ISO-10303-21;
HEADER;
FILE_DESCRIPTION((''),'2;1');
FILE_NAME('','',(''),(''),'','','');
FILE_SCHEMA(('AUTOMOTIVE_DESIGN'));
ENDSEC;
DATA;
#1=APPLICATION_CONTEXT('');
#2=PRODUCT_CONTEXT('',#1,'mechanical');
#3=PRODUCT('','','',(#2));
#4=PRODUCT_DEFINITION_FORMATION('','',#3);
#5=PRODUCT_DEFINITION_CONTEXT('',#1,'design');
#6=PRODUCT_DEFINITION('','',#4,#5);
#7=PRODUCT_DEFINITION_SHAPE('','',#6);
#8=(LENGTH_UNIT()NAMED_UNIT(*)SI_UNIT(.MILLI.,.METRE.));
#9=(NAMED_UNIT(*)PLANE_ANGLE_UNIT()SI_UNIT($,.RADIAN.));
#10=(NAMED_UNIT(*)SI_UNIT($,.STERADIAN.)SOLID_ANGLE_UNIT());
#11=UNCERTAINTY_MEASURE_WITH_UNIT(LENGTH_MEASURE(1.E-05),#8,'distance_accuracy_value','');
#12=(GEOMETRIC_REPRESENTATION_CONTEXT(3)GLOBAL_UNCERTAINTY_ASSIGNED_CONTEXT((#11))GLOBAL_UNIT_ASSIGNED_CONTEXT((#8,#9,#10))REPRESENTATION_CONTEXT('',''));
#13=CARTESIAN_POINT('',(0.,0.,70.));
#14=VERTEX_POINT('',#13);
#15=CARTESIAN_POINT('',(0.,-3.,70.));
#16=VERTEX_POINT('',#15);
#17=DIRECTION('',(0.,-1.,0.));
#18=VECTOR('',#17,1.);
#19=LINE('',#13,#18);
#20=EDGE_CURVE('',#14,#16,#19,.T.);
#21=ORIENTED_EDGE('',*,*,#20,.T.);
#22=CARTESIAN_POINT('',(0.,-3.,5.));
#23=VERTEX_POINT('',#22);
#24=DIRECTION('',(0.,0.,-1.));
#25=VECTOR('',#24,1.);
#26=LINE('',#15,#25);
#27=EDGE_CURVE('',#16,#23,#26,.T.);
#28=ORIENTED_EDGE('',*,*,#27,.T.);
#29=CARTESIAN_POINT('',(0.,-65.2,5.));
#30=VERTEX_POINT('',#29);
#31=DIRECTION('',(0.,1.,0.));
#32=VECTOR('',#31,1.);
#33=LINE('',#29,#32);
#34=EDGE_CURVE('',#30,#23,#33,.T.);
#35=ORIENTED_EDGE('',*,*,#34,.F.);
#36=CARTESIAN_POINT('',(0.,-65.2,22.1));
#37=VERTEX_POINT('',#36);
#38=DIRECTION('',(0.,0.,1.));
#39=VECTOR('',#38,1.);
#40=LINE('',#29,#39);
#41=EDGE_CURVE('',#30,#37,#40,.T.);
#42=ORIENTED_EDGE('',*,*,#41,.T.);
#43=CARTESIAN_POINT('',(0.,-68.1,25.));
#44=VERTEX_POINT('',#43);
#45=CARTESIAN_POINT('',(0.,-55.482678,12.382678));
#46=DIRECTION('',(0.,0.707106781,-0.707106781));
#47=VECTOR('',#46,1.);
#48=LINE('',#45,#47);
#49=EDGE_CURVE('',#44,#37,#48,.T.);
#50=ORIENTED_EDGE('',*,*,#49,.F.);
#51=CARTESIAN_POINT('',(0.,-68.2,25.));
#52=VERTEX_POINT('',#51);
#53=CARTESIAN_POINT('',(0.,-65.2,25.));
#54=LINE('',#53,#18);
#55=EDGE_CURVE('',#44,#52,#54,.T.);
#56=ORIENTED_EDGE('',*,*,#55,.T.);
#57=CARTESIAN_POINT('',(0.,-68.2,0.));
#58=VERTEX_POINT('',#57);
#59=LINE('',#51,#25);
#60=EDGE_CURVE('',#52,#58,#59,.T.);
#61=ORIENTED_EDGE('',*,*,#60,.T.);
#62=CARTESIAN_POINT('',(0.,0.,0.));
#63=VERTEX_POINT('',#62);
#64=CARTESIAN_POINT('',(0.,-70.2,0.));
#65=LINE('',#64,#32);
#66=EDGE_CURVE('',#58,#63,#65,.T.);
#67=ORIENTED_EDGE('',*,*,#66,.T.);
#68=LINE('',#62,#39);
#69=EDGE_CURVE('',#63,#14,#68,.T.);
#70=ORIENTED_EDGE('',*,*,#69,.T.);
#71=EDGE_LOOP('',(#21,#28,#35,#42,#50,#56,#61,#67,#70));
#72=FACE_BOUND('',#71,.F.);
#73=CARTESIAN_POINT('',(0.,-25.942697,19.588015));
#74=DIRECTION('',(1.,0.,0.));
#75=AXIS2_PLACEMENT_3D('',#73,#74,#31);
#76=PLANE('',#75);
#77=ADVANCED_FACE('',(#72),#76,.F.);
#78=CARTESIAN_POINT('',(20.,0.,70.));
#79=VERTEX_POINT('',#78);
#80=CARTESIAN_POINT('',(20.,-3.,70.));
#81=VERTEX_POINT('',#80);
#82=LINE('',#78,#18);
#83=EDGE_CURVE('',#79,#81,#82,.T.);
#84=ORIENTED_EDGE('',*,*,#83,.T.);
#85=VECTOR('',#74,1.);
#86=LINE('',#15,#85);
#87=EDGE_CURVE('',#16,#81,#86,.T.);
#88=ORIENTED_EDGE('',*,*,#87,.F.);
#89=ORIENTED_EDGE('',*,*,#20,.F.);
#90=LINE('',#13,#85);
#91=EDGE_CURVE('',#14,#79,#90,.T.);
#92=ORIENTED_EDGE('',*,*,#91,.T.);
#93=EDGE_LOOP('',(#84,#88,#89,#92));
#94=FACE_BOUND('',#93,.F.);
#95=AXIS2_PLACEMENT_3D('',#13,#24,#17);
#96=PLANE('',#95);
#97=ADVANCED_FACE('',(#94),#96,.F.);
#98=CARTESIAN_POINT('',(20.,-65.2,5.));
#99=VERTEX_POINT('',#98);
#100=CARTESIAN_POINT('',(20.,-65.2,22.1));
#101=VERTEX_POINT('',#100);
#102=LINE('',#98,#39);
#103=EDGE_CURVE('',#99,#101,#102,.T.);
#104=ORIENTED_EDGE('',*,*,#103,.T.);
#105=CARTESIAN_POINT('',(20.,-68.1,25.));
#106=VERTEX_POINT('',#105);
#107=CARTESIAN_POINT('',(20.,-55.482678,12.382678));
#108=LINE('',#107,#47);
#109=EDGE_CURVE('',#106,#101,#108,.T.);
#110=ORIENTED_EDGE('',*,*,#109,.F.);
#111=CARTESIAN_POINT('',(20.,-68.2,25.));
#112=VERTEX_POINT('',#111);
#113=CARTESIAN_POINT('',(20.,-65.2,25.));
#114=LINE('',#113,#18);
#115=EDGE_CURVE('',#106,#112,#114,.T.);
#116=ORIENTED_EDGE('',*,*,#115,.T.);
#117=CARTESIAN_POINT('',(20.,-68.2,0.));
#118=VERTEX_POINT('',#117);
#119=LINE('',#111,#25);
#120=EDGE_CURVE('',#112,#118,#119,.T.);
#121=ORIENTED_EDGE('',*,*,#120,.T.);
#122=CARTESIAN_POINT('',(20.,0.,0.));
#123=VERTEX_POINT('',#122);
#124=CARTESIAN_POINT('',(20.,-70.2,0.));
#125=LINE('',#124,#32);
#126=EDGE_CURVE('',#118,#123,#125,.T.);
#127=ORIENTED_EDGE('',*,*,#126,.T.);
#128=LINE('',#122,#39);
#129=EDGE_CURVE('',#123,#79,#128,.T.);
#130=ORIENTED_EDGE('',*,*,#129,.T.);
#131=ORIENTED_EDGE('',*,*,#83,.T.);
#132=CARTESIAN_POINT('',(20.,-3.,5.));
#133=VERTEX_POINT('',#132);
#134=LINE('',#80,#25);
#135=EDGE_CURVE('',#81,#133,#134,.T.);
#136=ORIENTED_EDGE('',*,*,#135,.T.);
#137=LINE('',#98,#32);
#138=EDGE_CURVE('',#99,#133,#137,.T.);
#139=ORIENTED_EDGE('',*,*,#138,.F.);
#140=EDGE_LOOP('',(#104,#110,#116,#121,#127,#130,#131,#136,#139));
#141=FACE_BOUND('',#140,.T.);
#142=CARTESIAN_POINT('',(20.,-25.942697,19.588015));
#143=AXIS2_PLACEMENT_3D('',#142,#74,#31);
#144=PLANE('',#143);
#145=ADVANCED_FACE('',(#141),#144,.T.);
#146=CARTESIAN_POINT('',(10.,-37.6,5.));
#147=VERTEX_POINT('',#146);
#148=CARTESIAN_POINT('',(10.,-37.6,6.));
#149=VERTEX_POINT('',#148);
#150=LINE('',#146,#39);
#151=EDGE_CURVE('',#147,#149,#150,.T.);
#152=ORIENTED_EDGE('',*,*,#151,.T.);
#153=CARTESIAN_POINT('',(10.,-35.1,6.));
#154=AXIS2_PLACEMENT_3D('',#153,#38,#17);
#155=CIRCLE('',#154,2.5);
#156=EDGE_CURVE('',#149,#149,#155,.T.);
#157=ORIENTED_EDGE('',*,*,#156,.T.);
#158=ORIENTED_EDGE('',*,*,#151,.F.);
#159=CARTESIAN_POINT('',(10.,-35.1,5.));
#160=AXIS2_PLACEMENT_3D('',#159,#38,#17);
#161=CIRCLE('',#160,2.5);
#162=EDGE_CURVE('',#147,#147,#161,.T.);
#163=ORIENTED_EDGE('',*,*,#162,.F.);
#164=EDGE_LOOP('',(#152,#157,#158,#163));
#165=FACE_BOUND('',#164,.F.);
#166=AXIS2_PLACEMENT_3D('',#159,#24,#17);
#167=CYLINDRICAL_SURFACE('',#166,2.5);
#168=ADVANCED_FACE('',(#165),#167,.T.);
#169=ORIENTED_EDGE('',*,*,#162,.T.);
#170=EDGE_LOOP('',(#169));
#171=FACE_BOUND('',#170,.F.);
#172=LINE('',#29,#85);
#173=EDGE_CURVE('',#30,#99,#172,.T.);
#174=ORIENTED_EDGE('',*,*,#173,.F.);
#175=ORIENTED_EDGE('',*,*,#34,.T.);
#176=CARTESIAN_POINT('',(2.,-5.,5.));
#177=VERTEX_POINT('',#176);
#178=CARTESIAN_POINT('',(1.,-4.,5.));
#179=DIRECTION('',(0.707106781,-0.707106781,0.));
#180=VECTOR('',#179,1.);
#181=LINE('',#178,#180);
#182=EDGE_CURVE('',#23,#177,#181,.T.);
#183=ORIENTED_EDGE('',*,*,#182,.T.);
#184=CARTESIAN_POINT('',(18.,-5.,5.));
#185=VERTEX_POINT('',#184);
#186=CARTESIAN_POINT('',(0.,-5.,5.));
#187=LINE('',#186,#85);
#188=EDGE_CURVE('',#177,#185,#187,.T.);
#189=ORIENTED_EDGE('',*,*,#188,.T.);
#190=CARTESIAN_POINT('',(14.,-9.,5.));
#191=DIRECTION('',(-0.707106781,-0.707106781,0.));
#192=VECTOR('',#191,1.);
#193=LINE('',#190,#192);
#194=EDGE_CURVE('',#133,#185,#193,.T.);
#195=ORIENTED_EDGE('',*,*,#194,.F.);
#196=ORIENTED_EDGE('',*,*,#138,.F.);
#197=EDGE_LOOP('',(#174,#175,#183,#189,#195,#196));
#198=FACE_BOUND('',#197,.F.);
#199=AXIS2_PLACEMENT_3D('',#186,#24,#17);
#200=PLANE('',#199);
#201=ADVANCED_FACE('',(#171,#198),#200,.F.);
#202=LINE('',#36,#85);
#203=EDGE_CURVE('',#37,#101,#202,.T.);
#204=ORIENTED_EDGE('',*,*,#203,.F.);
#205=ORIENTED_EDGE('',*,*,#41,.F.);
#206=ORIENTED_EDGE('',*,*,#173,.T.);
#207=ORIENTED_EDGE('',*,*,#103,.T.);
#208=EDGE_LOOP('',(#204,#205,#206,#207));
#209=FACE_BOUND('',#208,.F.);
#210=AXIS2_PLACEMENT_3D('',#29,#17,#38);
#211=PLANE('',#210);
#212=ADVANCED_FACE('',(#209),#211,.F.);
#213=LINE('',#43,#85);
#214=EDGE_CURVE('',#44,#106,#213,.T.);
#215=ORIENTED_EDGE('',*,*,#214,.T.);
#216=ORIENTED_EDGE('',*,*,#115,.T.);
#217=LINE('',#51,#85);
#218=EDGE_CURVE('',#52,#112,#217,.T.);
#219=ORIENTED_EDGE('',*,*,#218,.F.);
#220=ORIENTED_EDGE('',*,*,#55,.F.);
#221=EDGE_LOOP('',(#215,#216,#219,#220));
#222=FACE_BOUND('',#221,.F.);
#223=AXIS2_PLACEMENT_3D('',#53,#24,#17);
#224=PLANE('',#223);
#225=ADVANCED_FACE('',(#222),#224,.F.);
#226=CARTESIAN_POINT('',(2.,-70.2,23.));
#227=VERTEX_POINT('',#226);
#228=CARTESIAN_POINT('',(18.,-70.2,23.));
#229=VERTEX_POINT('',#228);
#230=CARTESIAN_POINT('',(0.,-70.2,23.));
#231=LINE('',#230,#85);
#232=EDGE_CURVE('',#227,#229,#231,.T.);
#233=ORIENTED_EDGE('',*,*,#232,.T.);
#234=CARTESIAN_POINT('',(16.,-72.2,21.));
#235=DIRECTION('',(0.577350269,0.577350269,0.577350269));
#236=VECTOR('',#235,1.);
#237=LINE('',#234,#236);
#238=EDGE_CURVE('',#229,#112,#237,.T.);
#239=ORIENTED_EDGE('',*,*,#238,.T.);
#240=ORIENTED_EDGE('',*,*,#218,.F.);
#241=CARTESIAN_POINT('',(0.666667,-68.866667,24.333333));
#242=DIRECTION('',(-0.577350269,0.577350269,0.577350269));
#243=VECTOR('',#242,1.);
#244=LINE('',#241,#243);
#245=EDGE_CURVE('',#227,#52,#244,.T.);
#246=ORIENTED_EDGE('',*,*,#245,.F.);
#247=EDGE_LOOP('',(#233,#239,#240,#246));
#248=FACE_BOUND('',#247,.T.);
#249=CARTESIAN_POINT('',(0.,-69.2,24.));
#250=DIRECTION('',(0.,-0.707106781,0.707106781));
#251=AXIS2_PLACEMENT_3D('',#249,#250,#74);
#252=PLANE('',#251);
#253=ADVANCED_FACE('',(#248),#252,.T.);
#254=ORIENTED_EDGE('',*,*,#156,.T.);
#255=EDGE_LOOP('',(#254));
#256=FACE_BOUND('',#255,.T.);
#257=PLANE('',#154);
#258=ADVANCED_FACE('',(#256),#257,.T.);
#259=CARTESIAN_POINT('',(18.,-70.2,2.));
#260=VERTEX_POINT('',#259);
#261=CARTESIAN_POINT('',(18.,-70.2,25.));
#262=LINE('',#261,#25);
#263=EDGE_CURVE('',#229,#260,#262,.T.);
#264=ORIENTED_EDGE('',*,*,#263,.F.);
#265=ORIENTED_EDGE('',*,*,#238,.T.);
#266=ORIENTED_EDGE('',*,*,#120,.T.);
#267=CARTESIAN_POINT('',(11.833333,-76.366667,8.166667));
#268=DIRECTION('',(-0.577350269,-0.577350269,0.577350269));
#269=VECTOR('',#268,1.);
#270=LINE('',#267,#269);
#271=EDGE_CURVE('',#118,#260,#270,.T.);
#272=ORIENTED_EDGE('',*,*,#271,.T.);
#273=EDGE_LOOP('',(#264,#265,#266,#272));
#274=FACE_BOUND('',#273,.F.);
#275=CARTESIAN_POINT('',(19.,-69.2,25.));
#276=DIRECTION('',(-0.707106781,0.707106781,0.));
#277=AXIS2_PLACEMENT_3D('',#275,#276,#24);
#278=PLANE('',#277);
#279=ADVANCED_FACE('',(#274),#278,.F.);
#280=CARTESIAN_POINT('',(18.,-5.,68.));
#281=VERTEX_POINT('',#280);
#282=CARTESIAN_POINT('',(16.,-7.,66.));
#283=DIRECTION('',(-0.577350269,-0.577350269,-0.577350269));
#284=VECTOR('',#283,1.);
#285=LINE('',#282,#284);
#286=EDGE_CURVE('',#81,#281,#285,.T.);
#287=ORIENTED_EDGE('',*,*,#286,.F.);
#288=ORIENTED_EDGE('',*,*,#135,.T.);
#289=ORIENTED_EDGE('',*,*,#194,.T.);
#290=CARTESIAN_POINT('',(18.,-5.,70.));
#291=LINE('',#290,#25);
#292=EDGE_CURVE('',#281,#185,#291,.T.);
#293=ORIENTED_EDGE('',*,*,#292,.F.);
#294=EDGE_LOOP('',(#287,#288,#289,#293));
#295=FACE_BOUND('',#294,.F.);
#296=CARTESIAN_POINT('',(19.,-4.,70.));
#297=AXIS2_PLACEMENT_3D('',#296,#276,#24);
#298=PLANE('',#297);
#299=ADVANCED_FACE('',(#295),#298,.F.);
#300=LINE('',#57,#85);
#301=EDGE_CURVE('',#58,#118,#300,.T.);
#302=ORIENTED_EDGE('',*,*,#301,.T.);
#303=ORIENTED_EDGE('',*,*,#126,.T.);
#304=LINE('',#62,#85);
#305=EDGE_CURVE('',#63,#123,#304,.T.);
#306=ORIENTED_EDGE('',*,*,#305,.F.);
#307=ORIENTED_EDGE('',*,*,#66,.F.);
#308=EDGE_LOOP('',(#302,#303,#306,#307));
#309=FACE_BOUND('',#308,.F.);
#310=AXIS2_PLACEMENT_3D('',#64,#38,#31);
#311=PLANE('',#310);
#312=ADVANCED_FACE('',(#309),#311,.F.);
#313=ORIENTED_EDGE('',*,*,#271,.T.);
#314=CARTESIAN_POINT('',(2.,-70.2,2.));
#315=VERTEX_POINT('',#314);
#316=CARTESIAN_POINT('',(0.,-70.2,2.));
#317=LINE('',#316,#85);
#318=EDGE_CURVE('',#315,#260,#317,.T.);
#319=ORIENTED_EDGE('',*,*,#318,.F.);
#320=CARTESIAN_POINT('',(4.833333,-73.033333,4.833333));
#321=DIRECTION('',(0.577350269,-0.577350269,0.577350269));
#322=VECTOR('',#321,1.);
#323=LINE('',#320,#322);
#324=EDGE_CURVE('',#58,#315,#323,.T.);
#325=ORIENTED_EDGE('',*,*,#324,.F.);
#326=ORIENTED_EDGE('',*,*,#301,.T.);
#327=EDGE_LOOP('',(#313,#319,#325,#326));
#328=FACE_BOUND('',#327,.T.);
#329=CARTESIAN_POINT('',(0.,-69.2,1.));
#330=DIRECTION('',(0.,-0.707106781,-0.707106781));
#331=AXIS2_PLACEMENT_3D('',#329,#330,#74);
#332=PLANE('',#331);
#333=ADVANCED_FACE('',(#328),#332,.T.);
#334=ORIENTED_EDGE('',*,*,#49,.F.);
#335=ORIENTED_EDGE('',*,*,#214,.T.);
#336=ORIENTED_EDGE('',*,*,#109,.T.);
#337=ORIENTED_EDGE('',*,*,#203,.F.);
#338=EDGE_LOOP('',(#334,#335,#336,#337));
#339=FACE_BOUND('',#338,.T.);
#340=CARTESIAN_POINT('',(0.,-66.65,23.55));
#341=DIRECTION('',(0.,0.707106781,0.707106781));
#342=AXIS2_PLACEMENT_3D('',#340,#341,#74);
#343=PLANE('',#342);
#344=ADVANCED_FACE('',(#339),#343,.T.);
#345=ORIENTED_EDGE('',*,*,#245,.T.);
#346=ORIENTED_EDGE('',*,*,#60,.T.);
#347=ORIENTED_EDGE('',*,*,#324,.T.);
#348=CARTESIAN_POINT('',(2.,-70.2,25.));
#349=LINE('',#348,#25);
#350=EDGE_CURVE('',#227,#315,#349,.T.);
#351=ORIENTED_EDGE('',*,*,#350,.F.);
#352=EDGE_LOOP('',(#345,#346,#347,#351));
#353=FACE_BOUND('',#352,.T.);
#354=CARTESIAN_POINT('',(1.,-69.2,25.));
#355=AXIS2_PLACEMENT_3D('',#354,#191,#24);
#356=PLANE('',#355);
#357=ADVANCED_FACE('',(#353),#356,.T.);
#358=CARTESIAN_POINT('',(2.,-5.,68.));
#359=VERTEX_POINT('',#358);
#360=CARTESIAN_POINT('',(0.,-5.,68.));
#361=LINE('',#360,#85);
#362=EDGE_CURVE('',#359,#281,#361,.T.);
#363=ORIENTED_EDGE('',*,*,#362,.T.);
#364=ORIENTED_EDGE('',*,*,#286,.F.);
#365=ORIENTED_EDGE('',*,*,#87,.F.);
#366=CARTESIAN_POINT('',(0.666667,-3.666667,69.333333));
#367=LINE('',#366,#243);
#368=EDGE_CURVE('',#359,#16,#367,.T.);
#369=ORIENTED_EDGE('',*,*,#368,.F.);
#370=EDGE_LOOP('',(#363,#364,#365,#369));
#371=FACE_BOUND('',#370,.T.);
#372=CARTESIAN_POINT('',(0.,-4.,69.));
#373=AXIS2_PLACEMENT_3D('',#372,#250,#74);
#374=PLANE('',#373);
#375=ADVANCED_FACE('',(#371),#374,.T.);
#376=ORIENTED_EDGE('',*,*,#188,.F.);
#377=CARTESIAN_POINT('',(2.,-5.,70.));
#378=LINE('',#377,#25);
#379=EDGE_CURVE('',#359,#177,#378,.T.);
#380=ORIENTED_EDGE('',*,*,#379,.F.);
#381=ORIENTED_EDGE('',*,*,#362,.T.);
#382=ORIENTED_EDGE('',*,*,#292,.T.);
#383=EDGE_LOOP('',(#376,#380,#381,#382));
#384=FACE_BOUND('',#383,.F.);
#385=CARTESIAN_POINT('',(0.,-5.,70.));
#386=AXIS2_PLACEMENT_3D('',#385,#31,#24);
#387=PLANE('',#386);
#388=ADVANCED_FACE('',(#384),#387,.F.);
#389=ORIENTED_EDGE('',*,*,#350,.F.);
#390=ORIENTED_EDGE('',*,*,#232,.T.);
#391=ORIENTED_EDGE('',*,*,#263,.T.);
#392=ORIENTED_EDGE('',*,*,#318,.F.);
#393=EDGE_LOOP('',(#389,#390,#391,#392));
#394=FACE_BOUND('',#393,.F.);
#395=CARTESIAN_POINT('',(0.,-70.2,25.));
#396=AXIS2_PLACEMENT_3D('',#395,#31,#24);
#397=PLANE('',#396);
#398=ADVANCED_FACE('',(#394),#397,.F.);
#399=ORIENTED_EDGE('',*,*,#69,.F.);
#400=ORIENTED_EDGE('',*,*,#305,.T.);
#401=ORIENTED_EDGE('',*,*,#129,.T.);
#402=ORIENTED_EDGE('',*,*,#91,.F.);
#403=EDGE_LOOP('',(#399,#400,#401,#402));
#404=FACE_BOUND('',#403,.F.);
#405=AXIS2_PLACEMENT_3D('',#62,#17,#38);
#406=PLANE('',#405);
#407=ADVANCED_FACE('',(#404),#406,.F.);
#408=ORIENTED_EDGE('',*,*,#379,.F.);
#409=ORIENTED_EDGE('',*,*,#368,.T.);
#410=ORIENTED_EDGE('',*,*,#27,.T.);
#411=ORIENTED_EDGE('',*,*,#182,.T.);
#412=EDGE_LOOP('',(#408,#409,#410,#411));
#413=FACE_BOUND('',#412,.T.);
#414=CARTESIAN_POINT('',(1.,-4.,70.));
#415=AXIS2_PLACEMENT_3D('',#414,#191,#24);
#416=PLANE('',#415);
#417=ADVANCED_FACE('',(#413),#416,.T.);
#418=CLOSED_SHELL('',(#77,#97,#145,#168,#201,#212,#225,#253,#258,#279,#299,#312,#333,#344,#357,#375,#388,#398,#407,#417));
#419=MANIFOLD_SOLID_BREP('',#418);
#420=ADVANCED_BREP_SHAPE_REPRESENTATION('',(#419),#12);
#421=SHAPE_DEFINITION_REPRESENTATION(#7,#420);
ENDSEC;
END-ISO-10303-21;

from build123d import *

# Parameters (mm, degrees)
PAD012_DEPTH    = 20
SKETCH024_R     = 2.5
PAD013_DEPTH    = 1
CHAMFER005_SIZE = 2
CHAMFER006_SIZE = 2
CHAMFER007_SIZE = 2.9


with BuildPart() as part:
    # Sketch023 → Pad012 (new body)
    with BuildSketch(Plane.YZ):
        Polygon((0, 0), (0, 70), (-5, 70), (-5, 5), (-65.2, 5), (-65.2, 25), (-70.2, 25), (-70.2, 0), align=None)
    extrude(amount=PAD012_DEPTH)

    # Sketch024 (on Face8 of Pad012) → Pad013 (join)
    with BuildSketch(Plane(origin=(0, 0, 5), x_dir=(0, -1, 0), z_dir=(0, 0, 1))):
        with Locations((35.1, 10)):
            Circle(SKETCH024_R)
    extrude(amount=PAD013_DEPTH)

    # Chamfer005
    chamfer005_edges = [part.edges().sort_by_distance(p)[0] for p in [
        (10, -70.2, 25),
        (20, -70.2, 12.5),
        (0, -70.2, 12.5),
        (10, -70.2, 0),
    ]]
    chamfer(chamfer005_edges, length=CHAMFER005_SIZE)

    # Chamfer006
    chamfer006_edges = [part.edges().sort_by_distance(p)[0] for p in [
        (20, -5, 37.5),
        (10, -5, 70),
        (0, -5, 37.5),
    ]]
    chamfer(chamfer006_edges, length=CHAMFER006_SIZE)

    # Chamfer007
    chamfer007_edges = [part.edges().sort_by_distance(p)[0] for p in [
        (10, -65.2, 25),
    ]]
    chamfer(chamfer007_edges, length=CHAMFER007_SIZE)


solid = part.part
